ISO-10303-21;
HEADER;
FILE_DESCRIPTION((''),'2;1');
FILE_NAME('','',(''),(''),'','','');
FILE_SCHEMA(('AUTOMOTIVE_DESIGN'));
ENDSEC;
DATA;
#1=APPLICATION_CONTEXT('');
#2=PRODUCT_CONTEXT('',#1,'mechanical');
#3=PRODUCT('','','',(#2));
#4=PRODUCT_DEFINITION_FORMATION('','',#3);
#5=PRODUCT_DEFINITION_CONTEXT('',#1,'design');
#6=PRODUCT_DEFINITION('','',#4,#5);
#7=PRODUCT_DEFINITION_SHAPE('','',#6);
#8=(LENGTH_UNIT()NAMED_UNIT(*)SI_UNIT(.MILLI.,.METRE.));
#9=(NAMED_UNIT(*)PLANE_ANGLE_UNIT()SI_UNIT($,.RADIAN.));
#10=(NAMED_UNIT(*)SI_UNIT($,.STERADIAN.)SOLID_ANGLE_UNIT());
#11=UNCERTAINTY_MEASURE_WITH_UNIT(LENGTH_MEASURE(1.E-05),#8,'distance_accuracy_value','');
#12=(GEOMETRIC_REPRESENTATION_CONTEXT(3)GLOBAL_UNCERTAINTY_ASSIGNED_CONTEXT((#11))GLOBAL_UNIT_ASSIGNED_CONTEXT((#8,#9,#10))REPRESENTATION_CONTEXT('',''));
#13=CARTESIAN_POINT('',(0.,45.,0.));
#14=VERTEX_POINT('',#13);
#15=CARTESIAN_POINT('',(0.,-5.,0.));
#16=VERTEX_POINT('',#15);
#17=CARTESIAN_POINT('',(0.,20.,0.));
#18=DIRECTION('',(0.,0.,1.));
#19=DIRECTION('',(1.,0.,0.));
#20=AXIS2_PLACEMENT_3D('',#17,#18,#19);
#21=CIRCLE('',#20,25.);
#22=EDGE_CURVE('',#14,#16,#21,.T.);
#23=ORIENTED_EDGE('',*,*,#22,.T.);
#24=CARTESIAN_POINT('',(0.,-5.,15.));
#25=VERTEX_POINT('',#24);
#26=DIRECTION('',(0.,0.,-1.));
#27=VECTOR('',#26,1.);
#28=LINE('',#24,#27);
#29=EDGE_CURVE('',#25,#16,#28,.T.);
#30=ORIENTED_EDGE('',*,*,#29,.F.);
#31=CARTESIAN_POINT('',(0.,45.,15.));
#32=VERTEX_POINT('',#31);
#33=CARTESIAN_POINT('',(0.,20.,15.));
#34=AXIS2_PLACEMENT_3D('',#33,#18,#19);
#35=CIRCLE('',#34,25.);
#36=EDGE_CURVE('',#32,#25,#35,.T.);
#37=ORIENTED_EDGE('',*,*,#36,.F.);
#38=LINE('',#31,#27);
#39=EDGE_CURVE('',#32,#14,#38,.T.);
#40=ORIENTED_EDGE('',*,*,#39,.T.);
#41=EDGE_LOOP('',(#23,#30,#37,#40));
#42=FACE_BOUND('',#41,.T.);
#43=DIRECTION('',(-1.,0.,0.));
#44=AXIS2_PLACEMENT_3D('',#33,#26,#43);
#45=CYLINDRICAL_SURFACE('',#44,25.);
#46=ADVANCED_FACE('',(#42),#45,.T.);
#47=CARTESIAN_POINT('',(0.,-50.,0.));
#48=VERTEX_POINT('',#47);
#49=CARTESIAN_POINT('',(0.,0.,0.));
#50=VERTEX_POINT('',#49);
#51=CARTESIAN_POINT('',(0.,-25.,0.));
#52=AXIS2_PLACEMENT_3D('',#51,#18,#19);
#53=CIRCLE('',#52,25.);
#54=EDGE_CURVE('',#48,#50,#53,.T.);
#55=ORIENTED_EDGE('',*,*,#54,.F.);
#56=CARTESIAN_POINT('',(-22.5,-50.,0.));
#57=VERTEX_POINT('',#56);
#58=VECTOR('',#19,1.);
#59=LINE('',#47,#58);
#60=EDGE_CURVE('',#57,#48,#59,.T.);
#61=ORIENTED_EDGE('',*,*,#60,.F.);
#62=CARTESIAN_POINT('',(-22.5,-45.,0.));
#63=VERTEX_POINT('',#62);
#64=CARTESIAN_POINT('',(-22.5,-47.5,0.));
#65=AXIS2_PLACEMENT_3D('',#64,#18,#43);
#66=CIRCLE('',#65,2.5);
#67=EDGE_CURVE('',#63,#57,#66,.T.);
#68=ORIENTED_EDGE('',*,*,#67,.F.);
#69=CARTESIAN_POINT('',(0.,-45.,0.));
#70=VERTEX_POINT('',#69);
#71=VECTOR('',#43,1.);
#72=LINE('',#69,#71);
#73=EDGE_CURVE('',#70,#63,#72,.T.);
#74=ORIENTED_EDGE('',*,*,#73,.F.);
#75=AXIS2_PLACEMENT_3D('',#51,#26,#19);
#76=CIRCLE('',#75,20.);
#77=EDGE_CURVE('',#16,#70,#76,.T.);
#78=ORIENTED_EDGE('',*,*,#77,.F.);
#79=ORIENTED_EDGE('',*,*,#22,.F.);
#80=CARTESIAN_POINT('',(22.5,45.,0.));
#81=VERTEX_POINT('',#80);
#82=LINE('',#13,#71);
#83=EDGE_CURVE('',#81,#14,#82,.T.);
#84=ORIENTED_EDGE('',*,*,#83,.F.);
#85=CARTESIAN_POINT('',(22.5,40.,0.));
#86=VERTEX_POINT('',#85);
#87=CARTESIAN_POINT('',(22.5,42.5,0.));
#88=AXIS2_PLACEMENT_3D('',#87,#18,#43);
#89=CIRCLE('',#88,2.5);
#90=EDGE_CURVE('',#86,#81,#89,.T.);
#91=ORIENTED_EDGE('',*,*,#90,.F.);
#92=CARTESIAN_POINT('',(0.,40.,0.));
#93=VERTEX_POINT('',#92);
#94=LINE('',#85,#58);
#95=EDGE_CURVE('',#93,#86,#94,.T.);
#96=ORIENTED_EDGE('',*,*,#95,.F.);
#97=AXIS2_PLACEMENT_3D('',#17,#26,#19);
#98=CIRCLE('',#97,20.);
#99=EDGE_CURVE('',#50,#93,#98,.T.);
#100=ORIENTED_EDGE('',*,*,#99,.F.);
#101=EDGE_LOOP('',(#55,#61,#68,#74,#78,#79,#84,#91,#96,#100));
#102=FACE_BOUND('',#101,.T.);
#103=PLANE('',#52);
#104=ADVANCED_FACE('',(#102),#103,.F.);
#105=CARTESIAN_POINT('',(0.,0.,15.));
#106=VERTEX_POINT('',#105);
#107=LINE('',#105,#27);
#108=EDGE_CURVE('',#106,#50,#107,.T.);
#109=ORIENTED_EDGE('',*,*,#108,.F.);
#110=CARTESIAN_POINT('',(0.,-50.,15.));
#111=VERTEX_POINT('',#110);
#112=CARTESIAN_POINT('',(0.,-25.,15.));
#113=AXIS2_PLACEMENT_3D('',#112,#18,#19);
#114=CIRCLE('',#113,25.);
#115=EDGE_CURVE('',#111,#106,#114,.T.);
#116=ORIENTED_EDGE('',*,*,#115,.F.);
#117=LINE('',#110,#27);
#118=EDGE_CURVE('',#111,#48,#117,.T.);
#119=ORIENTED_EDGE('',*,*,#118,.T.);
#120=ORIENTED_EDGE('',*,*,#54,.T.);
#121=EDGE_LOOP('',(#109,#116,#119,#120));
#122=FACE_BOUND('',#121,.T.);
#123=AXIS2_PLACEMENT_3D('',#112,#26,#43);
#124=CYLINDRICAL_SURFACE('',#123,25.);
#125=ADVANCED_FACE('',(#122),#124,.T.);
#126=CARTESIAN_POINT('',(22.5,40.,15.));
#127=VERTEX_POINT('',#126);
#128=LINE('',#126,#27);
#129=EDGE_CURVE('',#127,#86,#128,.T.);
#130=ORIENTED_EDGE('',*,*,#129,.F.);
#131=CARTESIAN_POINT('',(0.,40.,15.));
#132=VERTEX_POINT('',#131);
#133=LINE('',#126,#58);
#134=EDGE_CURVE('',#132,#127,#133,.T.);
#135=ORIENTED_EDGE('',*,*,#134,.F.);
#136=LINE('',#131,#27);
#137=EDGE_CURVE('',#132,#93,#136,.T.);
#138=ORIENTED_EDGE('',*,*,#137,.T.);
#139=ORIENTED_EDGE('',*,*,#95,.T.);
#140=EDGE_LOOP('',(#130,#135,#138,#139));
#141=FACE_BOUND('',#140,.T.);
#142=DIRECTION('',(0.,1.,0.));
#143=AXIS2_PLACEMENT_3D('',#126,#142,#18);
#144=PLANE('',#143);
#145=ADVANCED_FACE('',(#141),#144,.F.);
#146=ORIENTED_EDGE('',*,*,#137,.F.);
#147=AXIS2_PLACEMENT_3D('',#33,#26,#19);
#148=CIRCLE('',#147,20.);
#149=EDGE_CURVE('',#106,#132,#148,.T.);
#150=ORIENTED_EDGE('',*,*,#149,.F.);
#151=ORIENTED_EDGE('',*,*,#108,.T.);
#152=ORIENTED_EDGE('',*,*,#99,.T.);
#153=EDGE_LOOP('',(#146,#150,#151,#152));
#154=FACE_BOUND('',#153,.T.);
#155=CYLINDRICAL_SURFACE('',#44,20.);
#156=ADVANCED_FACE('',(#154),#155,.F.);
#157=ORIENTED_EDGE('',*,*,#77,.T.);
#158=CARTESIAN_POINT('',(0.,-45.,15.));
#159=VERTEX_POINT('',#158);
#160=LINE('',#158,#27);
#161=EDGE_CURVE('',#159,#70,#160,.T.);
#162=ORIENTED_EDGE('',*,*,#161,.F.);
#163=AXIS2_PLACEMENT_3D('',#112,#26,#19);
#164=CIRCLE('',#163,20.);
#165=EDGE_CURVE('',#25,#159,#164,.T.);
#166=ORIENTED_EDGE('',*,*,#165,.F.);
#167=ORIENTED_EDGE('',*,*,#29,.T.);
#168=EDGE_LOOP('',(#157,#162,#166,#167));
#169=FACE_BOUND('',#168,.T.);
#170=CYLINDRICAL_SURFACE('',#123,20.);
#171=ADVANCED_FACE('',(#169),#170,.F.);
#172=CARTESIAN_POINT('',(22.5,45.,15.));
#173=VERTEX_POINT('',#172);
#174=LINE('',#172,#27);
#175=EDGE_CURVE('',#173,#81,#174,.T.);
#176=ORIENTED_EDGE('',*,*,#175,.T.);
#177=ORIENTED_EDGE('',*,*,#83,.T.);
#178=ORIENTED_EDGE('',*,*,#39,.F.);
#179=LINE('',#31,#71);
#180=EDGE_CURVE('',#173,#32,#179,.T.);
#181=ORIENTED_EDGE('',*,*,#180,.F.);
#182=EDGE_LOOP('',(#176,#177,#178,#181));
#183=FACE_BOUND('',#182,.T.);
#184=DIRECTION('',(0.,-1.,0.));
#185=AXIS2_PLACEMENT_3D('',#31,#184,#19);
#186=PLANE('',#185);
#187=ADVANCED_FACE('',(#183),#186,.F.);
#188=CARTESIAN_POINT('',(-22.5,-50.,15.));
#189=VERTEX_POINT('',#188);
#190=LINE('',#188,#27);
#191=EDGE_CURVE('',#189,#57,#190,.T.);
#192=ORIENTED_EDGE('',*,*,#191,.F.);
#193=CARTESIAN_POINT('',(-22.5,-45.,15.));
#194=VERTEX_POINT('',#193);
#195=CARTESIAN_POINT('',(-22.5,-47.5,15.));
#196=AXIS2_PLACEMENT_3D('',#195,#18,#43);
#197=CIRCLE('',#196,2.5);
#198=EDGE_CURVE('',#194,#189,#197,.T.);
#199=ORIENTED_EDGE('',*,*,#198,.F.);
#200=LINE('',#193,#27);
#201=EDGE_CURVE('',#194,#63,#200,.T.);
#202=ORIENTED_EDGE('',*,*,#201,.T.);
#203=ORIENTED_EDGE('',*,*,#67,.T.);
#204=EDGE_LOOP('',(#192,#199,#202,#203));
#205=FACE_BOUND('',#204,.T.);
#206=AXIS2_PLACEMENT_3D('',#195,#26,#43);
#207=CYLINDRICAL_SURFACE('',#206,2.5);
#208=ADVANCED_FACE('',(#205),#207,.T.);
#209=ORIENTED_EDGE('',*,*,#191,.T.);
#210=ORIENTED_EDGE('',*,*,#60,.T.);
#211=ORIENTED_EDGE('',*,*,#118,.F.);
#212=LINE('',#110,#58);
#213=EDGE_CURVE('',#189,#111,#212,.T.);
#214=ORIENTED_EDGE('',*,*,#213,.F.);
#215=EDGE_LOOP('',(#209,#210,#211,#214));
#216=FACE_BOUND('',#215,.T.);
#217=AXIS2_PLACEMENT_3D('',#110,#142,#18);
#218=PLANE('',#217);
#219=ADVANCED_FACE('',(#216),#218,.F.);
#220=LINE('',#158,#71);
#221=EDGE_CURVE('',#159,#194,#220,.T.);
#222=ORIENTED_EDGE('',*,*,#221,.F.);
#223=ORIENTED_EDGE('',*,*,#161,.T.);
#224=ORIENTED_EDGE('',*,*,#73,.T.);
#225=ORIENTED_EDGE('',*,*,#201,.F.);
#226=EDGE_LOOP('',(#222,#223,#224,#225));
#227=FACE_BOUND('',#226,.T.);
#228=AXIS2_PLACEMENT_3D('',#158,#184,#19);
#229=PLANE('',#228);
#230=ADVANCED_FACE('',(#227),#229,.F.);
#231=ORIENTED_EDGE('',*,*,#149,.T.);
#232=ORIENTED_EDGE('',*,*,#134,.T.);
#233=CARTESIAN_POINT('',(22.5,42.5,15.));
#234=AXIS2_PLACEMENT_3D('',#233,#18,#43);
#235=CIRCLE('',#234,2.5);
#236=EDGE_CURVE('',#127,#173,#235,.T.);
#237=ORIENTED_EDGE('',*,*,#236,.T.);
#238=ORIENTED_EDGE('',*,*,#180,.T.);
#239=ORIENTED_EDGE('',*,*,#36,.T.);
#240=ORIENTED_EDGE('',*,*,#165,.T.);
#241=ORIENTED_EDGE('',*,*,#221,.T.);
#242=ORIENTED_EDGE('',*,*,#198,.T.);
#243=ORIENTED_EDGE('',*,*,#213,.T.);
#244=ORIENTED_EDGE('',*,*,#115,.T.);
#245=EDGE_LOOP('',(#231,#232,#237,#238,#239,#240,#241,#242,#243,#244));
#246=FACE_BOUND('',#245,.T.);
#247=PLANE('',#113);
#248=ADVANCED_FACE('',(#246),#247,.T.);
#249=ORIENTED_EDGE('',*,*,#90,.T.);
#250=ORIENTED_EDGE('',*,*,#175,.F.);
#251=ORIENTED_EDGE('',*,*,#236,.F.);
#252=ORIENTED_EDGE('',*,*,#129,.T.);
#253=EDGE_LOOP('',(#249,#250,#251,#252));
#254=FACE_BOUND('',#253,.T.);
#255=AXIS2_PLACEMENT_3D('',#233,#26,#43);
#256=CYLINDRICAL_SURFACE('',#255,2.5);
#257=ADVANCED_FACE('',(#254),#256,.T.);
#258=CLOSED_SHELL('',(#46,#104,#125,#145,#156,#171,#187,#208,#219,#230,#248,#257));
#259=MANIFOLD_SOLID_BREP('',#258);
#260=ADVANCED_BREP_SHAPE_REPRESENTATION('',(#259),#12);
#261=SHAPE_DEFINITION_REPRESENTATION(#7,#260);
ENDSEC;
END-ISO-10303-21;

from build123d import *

# Parameters (mm, degrees)
Y_KSEKLIK_EKSTR_ZYON2_DEPTH = 15


with BuildPart() as part:
    # Çizim3 → Yükseklik-Ekstrüzyon2 (new body)
    with BuildSketch(Plane.XY):
        with BuildLine():
            Line((0, 45), (22.5, 45))
            ThreePointArc((22.5, 45), (25, 42.5), (22.5, 40))
            Line((22.5, 40), (0, 40))
            ThreePointArc((0, 40), (-20, 20), (0, 0))
            ThreePointArc((0, 0), (25, -25), (0, -50))
            Line((0, -50), (-22.5, -50))
            ThreePointArc((-22.5, -50), (-25, -47.5), (-22.5, -45))
            Line((-22.5, -45), (0, -45))
            ThreePointArc((0, -45), (20, -25), (0, -5))
            ThreePointArc((0, -5), (-25, 20), (0, 45))
        make_face()
    extrude(amount=Y_KSEKLIK_EKSTR_ZYON2_DEPTH)


solid = part.part
